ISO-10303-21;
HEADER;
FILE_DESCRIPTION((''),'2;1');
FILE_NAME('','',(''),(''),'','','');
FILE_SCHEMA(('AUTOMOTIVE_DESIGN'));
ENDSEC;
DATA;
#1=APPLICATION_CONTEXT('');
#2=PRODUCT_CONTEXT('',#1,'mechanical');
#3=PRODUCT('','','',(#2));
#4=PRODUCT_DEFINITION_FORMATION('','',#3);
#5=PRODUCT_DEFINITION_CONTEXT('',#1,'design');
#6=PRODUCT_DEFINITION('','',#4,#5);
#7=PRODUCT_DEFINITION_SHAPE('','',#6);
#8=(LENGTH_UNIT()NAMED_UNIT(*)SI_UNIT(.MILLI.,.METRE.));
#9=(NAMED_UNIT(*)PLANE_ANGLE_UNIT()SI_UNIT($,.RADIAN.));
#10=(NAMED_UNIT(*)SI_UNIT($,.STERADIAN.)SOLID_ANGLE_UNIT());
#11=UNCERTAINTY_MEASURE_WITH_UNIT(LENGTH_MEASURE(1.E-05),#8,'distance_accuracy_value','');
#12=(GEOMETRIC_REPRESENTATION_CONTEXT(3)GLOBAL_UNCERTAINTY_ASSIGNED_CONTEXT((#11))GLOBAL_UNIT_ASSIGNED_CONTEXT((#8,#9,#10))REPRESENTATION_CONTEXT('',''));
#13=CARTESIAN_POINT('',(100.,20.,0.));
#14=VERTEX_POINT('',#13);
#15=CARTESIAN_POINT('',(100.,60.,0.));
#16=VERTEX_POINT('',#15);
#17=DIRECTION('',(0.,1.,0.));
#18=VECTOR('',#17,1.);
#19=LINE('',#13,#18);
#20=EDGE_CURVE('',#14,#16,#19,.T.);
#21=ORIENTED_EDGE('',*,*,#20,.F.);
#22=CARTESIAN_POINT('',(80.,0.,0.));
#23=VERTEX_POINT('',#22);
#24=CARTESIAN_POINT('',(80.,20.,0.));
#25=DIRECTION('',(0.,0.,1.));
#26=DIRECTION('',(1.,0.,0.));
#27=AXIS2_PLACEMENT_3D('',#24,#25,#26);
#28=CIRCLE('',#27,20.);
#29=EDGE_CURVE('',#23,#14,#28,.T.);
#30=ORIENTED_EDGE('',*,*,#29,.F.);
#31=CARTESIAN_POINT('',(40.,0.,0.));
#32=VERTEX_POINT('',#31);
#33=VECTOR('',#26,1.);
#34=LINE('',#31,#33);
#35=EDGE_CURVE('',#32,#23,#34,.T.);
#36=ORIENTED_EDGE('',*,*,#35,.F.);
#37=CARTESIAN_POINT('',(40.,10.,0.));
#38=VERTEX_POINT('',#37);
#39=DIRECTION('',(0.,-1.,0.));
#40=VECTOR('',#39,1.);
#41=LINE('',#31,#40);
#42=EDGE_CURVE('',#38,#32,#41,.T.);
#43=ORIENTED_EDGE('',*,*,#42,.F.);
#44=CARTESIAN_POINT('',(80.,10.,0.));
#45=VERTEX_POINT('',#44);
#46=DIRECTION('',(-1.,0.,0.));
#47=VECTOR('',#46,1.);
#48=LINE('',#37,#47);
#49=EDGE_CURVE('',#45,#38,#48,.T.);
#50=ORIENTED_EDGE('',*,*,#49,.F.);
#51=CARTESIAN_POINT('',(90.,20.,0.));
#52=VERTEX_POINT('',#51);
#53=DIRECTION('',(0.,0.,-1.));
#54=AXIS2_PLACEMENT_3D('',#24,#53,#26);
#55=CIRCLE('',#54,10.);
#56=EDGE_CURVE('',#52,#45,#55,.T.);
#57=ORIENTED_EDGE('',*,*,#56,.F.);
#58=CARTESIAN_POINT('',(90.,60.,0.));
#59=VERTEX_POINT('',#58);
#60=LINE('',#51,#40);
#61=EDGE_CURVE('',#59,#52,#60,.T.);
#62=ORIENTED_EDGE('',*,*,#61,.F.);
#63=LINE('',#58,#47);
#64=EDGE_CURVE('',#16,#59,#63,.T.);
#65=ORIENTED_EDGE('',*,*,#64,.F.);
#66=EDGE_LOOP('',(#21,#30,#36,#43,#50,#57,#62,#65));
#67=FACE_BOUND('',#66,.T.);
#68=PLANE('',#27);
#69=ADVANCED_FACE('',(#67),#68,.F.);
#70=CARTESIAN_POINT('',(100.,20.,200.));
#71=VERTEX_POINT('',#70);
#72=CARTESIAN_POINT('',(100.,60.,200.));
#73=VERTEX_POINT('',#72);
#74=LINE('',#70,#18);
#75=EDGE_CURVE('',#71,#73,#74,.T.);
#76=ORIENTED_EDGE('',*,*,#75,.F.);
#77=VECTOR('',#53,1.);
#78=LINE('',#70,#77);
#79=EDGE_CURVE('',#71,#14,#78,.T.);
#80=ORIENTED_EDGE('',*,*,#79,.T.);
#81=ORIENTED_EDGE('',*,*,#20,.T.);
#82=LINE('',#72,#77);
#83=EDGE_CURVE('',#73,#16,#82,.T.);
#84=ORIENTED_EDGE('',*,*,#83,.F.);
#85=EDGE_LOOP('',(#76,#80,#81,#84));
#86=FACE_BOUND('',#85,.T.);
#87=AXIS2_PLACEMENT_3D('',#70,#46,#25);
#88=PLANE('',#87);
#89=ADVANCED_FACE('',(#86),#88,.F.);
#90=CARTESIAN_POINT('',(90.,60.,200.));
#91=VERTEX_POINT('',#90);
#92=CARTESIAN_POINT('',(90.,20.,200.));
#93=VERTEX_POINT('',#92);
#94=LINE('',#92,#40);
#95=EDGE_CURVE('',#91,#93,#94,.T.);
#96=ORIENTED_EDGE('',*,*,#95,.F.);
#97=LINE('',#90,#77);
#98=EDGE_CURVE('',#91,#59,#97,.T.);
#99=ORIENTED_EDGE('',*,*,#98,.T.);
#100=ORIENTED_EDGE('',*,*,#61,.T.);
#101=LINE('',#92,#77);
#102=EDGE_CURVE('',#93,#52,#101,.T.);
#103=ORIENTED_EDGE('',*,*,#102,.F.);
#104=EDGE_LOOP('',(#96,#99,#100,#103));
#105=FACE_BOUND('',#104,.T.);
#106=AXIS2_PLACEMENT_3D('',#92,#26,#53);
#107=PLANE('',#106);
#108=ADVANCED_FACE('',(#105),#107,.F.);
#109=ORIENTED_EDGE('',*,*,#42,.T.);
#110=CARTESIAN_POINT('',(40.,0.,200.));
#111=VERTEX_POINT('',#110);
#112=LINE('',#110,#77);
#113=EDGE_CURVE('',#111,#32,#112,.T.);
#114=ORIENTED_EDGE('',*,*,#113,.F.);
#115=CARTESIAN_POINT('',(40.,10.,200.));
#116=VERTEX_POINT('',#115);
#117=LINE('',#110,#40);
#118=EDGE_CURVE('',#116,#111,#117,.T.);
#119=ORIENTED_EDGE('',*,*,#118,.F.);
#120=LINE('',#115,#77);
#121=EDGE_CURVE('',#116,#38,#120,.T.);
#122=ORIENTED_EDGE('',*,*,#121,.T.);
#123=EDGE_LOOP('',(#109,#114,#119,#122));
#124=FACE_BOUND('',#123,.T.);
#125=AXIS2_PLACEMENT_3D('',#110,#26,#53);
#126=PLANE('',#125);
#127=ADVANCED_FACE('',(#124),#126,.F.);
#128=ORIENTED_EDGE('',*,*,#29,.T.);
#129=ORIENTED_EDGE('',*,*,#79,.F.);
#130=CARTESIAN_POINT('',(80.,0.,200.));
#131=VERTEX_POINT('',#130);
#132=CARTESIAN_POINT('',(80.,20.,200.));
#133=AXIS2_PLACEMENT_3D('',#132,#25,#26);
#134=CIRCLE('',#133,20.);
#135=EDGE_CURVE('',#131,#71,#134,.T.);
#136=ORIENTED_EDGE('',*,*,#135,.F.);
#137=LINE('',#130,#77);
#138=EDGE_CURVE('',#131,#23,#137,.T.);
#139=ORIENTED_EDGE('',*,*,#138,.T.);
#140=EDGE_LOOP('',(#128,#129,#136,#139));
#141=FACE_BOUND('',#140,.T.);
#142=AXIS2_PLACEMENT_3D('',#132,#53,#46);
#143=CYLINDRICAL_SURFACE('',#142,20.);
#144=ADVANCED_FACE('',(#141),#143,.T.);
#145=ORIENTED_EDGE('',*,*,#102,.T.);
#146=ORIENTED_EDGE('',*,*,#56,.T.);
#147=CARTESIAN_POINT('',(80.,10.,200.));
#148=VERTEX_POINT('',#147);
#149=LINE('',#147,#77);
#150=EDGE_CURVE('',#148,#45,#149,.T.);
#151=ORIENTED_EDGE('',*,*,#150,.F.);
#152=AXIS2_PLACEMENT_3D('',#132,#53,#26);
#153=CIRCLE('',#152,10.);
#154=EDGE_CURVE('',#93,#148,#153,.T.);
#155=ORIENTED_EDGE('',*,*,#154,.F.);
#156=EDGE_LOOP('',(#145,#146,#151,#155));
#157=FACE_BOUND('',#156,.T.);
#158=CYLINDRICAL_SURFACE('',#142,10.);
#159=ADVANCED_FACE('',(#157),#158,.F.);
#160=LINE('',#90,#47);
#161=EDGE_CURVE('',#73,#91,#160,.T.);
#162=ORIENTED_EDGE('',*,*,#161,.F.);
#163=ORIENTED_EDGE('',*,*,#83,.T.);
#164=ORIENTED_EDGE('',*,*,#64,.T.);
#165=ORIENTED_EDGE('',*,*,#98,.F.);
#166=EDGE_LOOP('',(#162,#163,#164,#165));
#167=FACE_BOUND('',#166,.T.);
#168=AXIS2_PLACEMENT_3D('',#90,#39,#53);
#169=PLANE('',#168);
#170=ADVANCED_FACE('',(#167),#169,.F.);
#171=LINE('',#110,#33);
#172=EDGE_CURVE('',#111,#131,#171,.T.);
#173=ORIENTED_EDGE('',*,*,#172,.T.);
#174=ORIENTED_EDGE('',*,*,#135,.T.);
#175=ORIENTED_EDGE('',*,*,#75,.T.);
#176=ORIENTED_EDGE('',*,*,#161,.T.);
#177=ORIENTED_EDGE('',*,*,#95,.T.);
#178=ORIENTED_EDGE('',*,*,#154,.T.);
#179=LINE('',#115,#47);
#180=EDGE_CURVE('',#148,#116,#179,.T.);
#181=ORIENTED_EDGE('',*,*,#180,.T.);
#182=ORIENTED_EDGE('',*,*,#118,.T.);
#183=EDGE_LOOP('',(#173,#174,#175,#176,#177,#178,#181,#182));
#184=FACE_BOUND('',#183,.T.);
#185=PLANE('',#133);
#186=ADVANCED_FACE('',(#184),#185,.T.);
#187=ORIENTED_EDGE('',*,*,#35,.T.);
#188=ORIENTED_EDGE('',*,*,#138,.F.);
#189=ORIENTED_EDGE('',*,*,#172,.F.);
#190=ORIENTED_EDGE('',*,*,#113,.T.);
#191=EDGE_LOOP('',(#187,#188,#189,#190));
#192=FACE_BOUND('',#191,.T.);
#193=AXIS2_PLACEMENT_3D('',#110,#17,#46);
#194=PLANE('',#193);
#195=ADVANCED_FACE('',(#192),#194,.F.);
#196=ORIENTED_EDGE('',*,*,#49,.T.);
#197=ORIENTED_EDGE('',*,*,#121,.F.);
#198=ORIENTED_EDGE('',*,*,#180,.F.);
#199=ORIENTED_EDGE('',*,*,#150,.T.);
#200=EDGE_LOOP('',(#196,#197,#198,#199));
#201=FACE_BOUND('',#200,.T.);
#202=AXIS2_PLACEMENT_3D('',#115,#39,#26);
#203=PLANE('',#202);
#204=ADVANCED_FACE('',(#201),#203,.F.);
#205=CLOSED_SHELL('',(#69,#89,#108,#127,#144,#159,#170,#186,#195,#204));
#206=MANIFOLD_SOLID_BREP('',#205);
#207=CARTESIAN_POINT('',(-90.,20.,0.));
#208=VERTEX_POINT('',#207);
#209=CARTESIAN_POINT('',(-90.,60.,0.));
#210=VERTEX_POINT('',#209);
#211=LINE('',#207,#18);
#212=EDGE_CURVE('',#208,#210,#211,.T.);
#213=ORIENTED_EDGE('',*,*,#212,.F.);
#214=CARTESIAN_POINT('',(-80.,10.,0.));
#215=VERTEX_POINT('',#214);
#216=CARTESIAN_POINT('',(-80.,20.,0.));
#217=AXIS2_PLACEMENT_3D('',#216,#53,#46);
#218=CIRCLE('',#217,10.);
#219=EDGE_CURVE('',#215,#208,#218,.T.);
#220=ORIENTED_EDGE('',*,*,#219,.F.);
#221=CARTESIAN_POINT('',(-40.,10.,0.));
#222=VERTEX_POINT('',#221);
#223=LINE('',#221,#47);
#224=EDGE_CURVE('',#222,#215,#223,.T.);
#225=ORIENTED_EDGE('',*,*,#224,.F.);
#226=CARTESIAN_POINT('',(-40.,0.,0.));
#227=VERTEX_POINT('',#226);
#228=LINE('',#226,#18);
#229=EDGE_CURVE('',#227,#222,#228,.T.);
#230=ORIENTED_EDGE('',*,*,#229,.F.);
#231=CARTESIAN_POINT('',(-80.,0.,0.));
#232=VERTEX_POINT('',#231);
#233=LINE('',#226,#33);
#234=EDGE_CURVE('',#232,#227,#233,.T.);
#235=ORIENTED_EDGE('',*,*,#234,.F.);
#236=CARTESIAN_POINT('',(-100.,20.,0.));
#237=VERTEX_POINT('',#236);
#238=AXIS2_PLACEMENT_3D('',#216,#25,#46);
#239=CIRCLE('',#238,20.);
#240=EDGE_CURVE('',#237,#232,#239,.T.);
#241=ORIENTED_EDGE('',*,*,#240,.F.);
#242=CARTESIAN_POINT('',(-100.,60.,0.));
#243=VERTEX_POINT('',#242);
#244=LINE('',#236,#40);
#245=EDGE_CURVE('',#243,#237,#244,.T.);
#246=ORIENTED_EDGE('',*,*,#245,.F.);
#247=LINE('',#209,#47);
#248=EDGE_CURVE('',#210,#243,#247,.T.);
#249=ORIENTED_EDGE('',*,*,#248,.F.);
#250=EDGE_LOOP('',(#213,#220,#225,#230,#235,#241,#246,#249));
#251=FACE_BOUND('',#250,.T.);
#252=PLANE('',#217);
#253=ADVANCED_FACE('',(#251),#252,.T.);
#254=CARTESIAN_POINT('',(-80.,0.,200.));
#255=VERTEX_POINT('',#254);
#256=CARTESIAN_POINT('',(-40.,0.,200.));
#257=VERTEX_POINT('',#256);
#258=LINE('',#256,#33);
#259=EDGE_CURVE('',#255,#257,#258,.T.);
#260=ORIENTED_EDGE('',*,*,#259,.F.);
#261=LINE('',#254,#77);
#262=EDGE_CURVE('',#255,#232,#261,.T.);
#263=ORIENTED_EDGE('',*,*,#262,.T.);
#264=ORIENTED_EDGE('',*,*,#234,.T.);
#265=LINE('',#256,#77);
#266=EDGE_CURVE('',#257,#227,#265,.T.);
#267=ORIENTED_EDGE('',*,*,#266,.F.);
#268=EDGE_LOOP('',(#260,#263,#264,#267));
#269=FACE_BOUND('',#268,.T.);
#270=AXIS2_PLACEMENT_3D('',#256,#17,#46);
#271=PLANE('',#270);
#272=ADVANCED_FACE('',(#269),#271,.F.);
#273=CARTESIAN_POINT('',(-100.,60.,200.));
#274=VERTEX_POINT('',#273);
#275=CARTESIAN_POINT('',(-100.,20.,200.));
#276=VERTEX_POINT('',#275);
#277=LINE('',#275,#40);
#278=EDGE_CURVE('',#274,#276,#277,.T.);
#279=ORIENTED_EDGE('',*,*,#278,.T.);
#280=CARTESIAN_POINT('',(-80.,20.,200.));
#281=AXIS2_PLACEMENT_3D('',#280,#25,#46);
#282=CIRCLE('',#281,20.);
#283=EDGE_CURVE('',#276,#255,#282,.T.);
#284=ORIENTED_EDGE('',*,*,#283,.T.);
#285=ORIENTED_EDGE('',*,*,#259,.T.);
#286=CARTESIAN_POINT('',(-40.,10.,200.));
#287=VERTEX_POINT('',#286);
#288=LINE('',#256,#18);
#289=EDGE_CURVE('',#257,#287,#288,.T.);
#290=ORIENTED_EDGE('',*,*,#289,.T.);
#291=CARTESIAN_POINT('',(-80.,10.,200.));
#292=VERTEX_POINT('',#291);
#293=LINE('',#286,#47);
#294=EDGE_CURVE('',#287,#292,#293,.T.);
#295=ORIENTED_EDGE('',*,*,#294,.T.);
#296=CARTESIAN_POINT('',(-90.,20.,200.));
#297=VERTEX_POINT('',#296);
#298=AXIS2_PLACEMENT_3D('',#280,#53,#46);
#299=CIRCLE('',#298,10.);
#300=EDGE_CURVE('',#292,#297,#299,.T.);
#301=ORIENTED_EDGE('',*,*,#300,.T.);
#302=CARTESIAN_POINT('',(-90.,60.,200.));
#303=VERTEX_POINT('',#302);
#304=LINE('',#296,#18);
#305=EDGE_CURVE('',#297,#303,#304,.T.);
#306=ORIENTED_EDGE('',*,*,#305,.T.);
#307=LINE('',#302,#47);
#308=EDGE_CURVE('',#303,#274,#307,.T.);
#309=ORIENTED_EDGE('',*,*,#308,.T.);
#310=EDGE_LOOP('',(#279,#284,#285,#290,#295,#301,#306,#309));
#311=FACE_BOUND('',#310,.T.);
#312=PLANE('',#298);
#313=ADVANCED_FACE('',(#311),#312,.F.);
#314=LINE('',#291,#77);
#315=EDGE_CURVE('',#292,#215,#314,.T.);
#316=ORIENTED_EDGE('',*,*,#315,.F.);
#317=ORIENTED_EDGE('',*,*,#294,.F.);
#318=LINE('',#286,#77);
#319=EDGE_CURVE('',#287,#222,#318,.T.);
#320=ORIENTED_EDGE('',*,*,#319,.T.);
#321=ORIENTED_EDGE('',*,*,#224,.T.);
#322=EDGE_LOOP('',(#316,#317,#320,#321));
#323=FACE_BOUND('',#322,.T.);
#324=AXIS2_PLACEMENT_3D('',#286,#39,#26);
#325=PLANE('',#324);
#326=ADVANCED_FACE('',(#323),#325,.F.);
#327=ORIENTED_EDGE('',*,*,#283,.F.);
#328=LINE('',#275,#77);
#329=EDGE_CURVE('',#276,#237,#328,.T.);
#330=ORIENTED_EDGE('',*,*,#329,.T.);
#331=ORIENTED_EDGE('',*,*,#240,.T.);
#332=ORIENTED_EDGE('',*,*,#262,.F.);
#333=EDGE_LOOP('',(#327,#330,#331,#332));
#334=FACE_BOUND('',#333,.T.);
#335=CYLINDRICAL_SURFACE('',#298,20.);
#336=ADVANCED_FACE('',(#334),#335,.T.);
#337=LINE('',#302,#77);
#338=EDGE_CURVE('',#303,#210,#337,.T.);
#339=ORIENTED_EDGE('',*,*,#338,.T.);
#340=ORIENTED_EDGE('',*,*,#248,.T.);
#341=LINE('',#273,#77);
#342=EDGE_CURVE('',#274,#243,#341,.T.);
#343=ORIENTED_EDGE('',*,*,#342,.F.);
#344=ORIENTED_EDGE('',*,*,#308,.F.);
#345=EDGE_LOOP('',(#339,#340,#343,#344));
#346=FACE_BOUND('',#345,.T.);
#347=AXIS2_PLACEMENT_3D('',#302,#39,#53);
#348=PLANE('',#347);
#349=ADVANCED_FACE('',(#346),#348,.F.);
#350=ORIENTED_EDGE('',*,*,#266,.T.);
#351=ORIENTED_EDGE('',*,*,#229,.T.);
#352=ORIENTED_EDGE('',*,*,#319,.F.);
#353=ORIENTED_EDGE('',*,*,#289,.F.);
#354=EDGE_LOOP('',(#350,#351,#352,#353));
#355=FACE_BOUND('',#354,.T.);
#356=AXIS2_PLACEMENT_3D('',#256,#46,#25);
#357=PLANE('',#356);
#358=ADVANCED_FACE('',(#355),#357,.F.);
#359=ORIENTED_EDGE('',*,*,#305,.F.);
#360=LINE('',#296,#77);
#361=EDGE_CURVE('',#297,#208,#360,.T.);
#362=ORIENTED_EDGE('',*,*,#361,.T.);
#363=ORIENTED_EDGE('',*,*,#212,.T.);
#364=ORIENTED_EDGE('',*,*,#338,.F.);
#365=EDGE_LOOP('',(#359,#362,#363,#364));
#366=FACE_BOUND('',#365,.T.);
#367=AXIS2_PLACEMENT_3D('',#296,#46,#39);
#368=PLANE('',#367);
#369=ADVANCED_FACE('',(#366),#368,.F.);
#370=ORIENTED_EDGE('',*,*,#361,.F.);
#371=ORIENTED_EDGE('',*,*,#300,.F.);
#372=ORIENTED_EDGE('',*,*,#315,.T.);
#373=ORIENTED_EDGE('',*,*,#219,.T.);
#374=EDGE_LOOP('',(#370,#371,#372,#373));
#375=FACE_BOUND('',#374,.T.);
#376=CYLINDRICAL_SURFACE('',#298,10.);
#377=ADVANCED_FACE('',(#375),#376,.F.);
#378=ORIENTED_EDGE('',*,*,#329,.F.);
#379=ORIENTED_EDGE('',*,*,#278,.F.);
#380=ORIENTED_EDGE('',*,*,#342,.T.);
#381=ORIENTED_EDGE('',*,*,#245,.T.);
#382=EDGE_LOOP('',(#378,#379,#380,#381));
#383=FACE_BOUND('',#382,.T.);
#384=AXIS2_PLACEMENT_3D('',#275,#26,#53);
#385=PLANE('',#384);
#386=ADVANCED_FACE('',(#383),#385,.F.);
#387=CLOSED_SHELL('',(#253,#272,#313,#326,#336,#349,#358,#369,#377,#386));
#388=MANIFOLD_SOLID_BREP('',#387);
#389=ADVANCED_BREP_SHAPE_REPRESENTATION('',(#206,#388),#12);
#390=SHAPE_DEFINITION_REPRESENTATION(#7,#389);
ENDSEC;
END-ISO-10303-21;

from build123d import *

# Parameters (mm, degrees)
SALIENTE_EXTRUIR1_DEPTH   = 200
SALIENTE_EXTRUIR1_2_DEPTH = 200


with BuildPart() as part:
    # Croquis1 → Saliente-Extruir1 (new body)
    with BuildSketch(Plane.XY):
        with BuildLine():
            Line((-40, 0), (-80, 0))
            ThreePointArc((-80, 0), (-94.142135624, 5.857864376), (-100, 20))
            Line((-100, 20), (-100, 60))
            Line((-100, 60), (-90, 60))
            Line((-90, 60), (-90, 20))
            ThreePointArc((-90, 20), (-87.071067812, 12.928932188), (-80, 10))
            Line((-80, 10), (-40, 10))
            Line((-40, 10), (-40, 0))
        make_face()
    extrude(amount=SALIENTE_EXTRUIR1_DEPTH)


with BuildPart() as body_2:
    # Croquis1 → Saliente-Extruir1 2 (new body)
    with BuildSketch(Plane.XY):
        with BuildLine():
            Line((40, 0), (80, 0))
            ThreePointArc((80, 0), (94.142135624, 5.857864376), (100, 20))
            Line((100, 20), (100, 60))
            Line((100, 60), (90, 60))
            Line((90, 60), (90, 20))
            ThreePointArc((90, 20), (87.071067812, 12.928932188), (80, 10))
            Line((80, 10), (40, 10))
            Line((40, 10), (40, 0))
        make_face()
    extrude(amount=SALIENTE_EXTRUIR1_2_DEPTH)


solid = Compound([part.part, body_2.part])
